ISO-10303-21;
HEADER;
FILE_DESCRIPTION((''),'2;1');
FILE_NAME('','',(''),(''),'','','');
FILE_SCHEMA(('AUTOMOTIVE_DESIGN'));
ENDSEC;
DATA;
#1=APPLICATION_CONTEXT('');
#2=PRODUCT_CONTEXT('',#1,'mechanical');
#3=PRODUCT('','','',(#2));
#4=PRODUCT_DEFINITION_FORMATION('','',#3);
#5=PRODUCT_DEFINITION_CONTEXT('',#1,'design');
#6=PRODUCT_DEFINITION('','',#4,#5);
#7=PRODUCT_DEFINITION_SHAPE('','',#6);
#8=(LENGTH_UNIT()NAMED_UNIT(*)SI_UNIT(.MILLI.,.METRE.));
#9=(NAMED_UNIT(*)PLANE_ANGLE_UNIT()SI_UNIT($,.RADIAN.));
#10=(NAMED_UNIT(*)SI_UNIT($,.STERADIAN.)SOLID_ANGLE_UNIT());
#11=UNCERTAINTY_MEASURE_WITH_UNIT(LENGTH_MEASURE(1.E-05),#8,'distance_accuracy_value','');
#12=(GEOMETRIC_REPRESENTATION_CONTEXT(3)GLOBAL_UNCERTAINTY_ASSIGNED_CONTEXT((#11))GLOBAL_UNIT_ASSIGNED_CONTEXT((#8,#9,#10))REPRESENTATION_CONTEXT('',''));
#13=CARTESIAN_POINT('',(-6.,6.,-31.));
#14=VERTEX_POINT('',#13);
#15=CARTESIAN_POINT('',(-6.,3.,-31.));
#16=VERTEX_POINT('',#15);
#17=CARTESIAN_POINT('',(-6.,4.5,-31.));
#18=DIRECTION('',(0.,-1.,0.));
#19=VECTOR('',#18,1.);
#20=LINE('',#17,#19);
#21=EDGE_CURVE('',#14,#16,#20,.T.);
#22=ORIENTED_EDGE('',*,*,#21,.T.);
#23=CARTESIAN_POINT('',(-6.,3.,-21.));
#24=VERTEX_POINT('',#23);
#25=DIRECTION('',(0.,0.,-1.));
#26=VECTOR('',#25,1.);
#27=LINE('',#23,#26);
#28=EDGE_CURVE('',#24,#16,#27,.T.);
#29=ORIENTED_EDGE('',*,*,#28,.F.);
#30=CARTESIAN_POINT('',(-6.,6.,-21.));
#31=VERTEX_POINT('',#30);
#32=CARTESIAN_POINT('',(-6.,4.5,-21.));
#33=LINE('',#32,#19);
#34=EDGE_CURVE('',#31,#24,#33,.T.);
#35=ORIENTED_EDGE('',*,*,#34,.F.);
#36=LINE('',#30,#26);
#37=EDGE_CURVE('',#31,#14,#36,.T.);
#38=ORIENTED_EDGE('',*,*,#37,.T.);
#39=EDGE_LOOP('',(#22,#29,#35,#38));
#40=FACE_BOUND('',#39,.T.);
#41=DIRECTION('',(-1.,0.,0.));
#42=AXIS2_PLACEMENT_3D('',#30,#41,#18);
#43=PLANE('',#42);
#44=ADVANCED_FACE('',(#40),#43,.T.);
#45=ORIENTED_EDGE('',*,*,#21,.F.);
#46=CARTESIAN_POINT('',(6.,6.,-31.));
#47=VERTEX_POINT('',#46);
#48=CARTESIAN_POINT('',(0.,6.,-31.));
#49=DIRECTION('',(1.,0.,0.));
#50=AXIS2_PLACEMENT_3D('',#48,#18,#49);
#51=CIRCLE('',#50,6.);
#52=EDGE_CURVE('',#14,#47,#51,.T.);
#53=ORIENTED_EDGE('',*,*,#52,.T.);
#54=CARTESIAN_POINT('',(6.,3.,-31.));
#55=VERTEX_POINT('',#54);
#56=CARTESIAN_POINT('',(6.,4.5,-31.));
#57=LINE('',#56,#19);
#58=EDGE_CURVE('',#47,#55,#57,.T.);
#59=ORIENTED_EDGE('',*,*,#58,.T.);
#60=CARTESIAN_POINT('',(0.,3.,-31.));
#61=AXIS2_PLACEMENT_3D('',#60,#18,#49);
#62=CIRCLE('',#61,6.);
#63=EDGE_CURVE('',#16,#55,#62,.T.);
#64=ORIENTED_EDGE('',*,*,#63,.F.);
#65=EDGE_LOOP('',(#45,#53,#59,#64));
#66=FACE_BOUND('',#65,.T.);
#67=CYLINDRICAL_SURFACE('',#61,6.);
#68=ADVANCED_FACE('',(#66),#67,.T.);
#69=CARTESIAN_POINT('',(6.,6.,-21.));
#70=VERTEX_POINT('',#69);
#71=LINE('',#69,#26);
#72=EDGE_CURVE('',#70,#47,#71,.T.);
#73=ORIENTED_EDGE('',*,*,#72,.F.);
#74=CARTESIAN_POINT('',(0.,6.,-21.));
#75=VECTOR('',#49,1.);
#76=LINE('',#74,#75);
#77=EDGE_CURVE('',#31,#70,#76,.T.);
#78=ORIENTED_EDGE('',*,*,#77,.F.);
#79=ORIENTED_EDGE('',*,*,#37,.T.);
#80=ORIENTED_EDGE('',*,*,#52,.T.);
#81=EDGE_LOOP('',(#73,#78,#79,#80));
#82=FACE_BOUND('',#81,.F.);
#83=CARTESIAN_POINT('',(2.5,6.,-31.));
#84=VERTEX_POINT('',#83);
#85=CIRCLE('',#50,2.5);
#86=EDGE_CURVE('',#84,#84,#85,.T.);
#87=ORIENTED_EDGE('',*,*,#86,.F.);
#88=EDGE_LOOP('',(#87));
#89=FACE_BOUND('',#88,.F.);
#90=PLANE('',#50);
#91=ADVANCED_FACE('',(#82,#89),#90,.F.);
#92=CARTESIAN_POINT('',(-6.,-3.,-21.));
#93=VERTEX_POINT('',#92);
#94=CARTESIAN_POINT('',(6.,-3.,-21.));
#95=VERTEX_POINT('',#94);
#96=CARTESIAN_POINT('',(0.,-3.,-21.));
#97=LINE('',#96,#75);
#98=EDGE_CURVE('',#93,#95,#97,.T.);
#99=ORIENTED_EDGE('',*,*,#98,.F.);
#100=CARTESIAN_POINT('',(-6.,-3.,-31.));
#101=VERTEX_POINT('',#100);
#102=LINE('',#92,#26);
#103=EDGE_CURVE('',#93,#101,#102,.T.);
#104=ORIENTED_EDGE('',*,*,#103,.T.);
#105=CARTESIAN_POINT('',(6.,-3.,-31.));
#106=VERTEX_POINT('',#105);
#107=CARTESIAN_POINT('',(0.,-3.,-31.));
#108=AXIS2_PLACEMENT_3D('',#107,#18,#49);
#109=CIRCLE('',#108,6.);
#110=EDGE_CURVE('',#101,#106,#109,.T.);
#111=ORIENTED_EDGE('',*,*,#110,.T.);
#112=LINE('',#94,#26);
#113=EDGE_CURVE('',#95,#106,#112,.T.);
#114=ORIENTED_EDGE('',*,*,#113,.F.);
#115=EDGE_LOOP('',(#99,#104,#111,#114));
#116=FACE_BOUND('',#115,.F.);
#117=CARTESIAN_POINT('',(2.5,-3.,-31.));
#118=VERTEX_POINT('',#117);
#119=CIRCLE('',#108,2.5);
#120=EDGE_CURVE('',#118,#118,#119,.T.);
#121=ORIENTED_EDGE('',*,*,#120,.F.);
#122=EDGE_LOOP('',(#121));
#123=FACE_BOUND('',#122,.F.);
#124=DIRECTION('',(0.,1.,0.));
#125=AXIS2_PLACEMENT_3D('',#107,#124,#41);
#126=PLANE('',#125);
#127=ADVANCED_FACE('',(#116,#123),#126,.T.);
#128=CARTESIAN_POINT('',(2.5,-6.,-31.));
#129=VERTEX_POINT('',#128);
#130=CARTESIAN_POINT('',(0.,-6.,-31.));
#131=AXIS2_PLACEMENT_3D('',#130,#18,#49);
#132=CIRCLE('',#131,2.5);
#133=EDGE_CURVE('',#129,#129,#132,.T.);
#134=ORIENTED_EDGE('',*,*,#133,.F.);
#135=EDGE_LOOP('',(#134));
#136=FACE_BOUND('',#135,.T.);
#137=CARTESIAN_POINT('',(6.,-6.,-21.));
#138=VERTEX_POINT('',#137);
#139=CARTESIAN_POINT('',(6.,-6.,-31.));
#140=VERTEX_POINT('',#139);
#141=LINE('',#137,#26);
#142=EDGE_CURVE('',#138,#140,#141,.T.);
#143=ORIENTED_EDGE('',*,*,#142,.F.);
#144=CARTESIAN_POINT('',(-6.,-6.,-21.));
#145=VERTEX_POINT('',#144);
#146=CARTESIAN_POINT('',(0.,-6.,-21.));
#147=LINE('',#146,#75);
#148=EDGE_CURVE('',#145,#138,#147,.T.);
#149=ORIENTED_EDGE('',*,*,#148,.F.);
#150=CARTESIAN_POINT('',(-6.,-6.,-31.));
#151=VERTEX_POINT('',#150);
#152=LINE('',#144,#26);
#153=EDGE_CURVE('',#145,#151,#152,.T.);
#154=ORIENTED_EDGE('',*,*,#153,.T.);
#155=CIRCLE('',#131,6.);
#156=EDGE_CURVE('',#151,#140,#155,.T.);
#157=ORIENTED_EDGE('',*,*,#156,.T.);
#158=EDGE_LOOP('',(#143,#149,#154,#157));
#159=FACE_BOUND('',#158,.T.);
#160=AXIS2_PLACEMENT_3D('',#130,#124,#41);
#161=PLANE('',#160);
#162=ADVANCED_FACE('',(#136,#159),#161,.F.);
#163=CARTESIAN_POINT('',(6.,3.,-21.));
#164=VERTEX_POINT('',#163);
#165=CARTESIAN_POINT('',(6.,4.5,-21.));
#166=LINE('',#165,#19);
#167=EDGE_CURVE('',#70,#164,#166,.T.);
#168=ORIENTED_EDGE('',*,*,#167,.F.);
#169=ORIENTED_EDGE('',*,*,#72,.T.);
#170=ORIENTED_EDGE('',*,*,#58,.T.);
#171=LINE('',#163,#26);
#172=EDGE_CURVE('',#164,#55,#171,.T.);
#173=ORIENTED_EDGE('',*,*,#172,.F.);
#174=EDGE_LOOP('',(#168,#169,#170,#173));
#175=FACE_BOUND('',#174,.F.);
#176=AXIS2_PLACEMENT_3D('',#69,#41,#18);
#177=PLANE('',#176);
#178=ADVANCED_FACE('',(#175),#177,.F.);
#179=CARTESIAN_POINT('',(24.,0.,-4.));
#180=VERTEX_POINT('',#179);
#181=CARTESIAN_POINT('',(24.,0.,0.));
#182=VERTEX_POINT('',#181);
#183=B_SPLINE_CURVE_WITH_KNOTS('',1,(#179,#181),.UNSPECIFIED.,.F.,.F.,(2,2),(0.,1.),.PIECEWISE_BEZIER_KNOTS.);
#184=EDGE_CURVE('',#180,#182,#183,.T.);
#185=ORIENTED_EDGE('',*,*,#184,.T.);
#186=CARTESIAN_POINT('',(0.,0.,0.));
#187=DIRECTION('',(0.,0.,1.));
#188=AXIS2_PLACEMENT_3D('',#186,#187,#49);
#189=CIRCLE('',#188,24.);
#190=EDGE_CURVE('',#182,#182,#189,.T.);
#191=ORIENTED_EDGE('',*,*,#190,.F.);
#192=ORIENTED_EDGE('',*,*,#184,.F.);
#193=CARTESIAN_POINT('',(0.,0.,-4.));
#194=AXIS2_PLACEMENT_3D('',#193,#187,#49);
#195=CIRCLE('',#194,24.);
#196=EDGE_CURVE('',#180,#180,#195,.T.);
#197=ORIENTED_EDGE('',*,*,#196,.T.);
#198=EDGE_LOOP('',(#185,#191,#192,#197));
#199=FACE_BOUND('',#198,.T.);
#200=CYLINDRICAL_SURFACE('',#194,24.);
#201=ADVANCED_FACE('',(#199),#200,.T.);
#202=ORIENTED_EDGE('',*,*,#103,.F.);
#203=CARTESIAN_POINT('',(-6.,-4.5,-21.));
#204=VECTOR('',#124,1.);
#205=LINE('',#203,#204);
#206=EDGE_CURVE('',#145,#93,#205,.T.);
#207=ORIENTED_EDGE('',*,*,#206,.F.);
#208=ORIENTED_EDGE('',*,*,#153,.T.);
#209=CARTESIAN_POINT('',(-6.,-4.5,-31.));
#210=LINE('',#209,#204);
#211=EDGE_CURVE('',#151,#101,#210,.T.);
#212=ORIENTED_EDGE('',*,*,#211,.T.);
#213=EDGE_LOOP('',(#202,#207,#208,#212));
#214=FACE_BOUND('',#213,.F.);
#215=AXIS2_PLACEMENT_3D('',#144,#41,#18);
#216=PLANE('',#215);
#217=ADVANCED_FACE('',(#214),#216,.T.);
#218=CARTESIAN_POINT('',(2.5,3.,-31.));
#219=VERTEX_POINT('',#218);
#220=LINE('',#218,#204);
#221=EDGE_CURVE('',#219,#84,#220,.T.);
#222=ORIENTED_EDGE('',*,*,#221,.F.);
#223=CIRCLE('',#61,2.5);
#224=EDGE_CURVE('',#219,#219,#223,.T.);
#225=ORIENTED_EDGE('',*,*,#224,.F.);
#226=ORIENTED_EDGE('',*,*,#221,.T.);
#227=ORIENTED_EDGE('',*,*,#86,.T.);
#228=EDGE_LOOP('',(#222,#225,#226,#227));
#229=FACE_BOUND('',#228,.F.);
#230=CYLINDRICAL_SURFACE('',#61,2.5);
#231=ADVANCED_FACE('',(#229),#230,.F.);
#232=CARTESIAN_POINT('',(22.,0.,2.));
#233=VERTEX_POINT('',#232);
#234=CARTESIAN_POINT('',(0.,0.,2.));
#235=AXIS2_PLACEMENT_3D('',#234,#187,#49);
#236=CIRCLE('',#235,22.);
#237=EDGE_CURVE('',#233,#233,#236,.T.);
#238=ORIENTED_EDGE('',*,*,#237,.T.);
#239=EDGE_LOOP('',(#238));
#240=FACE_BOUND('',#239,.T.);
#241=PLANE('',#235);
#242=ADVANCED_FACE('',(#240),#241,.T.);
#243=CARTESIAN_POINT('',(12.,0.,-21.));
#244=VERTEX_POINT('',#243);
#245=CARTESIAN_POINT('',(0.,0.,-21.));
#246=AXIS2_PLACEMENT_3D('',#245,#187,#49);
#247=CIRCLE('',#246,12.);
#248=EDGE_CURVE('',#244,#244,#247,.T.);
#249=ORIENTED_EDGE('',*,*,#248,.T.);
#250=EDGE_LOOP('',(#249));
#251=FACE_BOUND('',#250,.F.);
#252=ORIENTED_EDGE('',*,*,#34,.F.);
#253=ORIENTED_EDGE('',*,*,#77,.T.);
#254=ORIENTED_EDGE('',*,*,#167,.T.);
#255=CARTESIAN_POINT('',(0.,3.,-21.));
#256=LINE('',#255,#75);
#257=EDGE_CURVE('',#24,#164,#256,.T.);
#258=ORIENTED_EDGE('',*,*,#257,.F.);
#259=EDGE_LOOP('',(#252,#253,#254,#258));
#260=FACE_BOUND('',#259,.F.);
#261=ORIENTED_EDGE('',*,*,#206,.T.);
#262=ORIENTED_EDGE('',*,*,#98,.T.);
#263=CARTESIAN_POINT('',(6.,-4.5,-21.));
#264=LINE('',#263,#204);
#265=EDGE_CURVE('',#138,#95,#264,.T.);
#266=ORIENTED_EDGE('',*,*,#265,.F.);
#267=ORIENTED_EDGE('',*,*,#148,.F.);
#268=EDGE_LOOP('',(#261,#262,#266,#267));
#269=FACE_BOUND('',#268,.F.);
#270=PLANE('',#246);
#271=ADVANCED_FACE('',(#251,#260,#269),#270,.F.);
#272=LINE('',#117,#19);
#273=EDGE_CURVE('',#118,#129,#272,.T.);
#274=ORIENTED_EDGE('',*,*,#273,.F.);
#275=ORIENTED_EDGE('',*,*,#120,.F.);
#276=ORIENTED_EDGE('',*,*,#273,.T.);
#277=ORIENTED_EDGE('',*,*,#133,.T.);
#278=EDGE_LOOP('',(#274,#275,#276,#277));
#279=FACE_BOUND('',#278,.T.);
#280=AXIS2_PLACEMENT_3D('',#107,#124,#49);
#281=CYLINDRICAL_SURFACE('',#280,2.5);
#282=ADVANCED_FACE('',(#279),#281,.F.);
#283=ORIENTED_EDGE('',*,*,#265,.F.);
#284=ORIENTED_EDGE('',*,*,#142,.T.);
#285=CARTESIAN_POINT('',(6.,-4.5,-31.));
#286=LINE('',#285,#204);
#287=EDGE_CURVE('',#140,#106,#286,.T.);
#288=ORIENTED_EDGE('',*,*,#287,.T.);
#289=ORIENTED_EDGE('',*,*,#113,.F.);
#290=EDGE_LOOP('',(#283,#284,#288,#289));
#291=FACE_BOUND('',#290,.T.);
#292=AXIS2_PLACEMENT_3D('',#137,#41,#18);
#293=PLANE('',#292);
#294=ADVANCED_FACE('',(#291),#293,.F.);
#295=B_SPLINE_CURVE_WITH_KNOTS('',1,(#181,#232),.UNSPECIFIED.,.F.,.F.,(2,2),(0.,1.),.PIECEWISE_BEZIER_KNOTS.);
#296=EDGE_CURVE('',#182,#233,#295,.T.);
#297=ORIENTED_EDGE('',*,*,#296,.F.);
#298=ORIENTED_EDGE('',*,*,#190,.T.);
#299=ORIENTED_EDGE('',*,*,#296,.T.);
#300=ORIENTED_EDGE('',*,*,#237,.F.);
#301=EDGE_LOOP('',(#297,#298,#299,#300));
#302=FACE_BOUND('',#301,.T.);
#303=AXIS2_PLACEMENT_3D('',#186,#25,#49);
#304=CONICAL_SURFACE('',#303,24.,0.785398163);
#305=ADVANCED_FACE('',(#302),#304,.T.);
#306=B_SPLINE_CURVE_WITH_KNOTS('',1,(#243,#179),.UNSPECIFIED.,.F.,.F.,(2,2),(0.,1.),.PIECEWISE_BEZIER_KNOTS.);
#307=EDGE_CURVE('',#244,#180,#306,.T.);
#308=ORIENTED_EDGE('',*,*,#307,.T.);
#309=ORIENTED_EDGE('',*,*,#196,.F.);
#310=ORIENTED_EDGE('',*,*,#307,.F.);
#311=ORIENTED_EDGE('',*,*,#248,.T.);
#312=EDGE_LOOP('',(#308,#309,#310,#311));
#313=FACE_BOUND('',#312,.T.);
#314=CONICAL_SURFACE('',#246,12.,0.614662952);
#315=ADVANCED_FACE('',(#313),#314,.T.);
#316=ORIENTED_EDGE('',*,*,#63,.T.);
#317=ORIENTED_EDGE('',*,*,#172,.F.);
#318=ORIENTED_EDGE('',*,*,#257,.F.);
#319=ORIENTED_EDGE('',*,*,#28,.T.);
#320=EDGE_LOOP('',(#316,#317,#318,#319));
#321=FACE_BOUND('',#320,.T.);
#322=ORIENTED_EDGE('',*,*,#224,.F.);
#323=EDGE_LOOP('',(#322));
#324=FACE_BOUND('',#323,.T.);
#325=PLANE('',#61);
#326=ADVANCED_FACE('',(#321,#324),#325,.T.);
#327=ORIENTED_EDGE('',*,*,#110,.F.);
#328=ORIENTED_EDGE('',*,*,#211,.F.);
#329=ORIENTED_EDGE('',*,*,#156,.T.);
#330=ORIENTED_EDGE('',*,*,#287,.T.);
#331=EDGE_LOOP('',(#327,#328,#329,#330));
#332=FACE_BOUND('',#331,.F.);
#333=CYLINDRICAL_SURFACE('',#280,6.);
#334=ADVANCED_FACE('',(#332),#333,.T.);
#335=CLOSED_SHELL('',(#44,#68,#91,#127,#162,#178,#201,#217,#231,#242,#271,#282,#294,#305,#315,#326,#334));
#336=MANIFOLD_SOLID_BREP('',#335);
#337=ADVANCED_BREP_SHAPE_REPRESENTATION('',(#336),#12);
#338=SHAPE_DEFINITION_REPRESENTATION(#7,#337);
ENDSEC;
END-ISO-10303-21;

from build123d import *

# Parameters (mm, degrees)
F6_R      = 12
F4_R      = 24
F7_FACE_R = 24
F5_R      = 24
F8_FACE_R = 24
F3_R      = 22
F10_W     = 12
F10_H     = 3
F11_DEPTH = 10
F12_R     = 6
F13_DEPTH = 3
F14_R     = 2.5
F15_DEPTH = 21.0010001


with BuildPart() as f7:
    # F6 (on offset) → F7 section 0
    with BuildSketch(Plane.XY.offset(-21)):
        Circle(F6_R)
    # F4 (on offset) → F7 section 1
    with BuildSketch(Plane.XY.offset(-4)):
        Circle(F4_R)
    loft()

    # F7_face (on face) → F8 section 0
    with BuildSketch(Plane.XY.offset(-4)):
        Circle(F7_FACE_R)
    # F5 (on Top) → F8 section 1
    with BuildSketch(Plane.XY):
        Circle(F5_R)
    loft()

    # F8_face (on face) → F9 section 0
    with BuildSketch(Plane.XY):
        Circle(F8_FACE_R)
    # F3 (on offset) → F9 section 1
    with BuildSketch(Plane.XY.offset(2)):
        Circle(F3_R)
    loft()

    # F10 (on face) → F11 (join)
    with BuildSketch(Plane(origin=(0, 0, -21), x_dir=(1, 0, 0), z_dir=(0, 0, -1))):
        with Locations((0, -4.5)):
            Rectangle(F10_W, F10_H)
    extrude(amount=F11_DEPTH)

    # F12 (on face) → F13 (join)
    with BuildSketch(Plane.XZ.offset(-3)):
        with Locations((0, -31)):
            Circle(F12_R)
    extrude(amount=-F13_DEPTH)

    # F14 (on face) → F15 (cut, through all)
    with BuildSketch(Plane.XZ.offset(-3)):
        with Locations((0, -31)):
            Circle(F14_R)
    extrude(amount=-F15_DEPTH, mode=Mode.SUBTRACT)

    # F16: F7 across plane


with BuildPart() as f7_1:
    add(f7.part)
    add(f7.part.mirror(Plane.XZ))


solid = f7_1.part
